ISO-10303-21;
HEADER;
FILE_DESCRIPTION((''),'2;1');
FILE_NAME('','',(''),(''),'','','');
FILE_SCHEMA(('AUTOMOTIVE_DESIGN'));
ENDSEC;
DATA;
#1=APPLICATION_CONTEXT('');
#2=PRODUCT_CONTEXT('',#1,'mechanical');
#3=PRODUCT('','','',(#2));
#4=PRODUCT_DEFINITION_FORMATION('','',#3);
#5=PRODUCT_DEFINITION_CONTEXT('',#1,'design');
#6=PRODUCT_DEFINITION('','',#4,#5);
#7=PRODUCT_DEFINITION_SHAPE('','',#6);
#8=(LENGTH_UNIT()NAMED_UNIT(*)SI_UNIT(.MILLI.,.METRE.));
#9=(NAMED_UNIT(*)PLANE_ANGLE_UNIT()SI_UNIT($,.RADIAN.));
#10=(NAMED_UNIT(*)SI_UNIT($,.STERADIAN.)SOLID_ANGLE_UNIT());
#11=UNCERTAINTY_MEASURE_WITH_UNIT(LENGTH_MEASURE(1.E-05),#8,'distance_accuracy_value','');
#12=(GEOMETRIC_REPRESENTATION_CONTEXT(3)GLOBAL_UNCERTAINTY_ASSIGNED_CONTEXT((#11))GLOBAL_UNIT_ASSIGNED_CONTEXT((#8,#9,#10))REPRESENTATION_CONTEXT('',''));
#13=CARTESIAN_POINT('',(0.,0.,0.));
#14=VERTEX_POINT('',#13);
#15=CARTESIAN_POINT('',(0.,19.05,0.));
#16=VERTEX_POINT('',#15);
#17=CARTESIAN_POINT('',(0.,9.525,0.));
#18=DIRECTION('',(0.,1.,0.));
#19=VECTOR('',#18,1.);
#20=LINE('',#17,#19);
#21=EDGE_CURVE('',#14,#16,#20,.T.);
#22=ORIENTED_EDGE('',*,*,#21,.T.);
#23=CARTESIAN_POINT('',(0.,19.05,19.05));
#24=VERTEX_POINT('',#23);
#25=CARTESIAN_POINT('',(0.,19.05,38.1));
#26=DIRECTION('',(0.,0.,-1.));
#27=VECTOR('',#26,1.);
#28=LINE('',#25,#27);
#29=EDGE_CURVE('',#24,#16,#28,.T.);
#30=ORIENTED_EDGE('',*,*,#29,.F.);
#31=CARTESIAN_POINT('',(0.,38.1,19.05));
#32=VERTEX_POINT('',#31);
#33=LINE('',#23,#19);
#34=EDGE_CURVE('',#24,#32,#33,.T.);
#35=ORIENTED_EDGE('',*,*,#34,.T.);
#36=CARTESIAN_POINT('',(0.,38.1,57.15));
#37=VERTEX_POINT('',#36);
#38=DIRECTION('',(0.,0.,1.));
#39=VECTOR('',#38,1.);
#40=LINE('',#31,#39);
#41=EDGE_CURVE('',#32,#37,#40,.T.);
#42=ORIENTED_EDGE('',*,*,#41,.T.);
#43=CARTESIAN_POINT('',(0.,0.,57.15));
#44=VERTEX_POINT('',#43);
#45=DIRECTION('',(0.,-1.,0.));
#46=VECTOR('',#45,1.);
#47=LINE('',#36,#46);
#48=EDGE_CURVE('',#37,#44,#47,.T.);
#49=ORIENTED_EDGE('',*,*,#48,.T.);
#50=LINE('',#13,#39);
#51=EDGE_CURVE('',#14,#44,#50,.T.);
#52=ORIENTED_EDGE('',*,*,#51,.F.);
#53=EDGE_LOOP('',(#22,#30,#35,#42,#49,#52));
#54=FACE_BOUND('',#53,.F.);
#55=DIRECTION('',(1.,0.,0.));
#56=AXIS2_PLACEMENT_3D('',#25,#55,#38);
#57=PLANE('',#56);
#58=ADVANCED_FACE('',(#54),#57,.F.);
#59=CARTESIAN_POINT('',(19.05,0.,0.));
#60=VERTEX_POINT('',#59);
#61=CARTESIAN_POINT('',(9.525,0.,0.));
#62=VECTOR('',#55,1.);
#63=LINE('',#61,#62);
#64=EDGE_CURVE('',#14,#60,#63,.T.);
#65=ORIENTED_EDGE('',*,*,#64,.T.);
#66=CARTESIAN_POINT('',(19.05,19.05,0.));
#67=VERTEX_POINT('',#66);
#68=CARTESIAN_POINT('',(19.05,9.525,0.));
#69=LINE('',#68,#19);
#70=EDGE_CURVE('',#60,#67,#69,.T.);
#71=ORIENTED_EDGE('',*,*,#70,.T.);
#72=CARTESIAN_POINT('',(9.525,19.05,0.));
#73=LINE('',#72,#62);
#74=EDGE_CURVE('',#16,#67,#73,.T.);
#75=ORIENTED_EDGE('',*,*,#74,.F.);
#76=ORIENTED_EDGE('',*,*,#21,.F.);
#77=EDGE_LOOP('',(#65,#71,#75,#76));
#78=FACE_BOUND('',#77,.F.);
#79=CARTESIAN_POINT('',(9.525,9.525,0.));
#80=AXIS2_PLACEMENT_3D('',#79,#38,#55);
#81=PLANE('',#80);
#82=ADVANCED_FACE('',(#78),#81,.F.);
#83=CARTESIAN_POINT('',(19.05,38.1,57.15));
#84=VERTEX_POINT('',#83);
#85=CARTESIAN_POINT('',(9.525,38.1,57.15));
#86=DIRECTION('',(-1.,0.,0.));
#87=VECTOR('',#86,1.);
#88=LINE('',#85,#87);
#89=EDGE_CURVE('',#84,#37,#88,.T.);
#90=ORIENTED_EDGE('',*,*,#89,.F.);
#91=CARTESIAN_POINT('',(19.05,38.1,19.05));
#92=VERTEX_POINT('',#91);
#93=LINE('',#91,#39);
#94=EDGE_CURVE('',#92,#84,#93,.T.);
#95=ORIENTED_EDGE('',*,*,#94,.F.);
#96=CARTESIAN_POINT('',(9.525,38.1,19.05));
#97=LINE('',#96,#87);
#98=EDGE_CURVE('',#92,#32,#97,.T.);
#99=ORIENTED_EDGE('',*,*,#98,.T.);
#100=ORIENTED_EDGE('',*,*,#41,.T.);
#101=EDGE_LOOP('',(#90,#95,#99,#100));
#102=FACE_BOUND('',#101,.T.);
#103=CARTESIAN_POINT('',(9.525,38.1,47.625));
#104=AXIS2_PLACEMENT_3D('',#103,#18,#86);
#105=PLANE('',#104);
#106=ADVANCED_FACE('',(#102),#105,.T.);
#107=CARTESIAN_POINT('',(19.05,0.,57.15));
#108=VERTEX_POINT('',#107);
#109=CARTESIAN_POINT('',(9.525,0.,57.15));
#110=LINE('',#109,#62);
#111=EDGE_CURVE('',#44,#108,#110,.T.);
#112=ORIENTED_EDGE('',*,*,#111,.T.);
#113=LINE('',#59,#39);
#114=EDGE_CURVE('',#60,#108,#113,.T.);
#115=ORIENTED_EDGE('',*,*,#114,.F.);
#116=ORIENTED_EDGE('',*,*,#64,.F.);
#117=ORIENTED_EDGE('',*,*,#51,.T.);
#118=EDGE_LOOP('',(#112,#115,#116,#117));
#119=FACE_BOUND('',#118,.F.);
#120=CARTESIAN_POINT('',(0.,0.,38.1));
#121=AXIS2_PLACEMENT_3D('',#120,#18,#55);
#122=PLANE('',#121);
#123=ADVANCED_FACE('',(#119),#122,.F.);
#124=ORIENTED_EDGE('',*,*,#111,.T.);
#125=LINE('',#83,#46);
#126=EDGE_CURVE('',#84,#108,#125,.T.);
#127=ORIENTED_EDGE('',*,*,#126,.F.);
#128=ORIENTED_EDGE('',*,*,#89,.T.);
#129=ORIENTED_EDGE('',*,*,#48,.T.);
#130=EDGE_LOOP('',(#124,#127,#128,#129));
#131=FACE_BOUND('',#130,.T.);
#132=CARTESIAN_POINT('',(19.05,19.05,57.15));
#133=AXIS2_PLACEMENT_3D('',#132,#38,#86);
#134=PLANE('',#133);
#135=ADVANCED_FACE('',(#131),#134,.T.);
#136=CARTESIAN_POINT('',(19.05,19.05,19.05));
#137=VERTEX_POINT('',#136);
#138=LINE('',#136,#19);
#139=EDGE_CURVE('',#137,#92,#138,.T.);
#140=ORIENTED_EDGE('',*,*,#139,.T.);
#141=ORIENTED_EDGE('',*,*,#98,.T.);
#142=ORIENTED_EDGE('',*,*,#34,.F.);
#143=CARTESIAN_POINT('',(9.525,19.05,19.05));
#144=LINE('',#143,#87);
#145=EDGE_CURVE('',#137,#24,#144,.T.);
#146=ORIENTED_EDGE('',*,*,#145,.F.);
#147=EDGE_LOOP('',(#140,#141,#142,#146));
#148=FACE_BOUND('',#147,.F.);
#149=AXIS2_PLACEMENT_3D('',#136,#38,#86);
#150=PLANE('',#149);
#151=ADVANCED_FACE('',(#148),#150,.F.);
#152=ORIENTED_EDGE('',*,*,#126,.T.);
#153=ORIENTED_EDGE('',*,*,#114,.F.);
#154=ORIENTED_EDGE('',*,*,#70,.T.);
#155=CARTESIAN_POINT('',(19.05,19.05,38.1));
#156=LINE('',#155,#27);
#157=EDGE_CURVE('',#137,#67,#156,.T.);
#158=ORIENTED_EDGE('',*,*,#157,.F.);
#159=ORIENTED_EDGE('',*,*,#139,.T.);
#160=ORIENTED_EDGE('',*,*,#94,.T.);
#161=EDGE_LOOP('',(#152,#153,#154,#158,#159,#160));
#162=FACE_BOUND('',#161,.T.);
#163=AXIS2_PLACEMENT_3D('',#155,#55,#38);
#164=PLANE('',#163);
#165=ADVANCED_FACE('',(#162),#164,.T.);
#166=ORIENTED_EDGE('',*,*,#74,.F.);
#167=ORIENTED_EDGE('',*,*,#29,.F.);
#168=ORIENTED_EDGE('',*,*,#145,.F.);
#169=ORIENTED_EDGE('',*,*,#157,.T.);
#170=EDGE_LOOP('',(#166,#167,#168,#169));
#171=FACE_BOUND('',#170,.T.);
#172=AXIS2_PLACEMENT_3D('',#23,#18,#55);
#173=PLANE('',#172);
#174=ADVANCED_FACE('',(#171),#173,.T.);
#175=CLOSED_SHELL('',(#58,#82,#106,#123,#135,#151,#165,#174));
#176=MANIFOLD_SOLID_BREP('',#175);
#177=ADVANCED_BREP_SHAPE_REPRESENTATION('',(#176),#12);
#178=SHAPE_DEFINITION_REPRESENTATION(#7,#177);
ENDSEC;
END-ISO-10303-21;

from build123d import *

# Parameters (mm, degrees)
F0_W      = 19.05
F0_H      = 19.05
F1_DEPTH  = 19.05
F2_W      = 19.05
F2_H      = 19.05
F3_DEPTH  = 19.05
F4_W      = 19.05
F4_H      = 19.05
F5_DEPTH  = 19.05
F6_W      = 19.05
F6_H      = 19.05
F7_DEPTH  = 19.05
F7_FACE_W = 19.05
F7_FACE_H = 19.05
F8_DEPTH  = 19.05


with BuildPart() as f1:
    # F0 (on Top) → F1 (new body)
    with BuildSketch(Plane.XY):
        with Locations((9.525, 9.525)):
            Rectangle(F0_W, F0_H)
    extrude(amount=F1_DEPTH)

    # F2 (on face) → F3 (join)
    with BuildSketch(Plane.XY.offset(19.05)):
        with Locations((9.525, 9.525)):
            Rectangle(F2_W, F2_H)
    extrude(amount=F3_DEPTH)

    # F4 (on face) → F5 (join)
    with BuildSketch(Plane(origin=(0, 19.05, 0), x_dir=(-1, 0, 0), z_dir=(0, 1, 0))):
        with Locations((-9.525, 28.575)):
            Rectangle(F4_W, F4_H)
    extrude(amount=F5_DEPTH)

    # F6 (on face) → F7 (join)
    with BuildSketch(Plane.XY.offset(38.1)):
        with Locations((9.525, 9.525)):
            Rectangle(F6_W, F6_H)
    extrude(amount=F7_DEPTH)

    # F7_face (on face) → F8 (join)
    with BuildSketch(Plane(origin=(9.525, 19.05, 47.625), x_dir=(-1, 0, 0), z_dir=(0, 1, 0))):
        Rectangle(F7_FACE_W, F7_FACE_H)
    extrude(amount=F8_DEPTH)


solid = f1.part
